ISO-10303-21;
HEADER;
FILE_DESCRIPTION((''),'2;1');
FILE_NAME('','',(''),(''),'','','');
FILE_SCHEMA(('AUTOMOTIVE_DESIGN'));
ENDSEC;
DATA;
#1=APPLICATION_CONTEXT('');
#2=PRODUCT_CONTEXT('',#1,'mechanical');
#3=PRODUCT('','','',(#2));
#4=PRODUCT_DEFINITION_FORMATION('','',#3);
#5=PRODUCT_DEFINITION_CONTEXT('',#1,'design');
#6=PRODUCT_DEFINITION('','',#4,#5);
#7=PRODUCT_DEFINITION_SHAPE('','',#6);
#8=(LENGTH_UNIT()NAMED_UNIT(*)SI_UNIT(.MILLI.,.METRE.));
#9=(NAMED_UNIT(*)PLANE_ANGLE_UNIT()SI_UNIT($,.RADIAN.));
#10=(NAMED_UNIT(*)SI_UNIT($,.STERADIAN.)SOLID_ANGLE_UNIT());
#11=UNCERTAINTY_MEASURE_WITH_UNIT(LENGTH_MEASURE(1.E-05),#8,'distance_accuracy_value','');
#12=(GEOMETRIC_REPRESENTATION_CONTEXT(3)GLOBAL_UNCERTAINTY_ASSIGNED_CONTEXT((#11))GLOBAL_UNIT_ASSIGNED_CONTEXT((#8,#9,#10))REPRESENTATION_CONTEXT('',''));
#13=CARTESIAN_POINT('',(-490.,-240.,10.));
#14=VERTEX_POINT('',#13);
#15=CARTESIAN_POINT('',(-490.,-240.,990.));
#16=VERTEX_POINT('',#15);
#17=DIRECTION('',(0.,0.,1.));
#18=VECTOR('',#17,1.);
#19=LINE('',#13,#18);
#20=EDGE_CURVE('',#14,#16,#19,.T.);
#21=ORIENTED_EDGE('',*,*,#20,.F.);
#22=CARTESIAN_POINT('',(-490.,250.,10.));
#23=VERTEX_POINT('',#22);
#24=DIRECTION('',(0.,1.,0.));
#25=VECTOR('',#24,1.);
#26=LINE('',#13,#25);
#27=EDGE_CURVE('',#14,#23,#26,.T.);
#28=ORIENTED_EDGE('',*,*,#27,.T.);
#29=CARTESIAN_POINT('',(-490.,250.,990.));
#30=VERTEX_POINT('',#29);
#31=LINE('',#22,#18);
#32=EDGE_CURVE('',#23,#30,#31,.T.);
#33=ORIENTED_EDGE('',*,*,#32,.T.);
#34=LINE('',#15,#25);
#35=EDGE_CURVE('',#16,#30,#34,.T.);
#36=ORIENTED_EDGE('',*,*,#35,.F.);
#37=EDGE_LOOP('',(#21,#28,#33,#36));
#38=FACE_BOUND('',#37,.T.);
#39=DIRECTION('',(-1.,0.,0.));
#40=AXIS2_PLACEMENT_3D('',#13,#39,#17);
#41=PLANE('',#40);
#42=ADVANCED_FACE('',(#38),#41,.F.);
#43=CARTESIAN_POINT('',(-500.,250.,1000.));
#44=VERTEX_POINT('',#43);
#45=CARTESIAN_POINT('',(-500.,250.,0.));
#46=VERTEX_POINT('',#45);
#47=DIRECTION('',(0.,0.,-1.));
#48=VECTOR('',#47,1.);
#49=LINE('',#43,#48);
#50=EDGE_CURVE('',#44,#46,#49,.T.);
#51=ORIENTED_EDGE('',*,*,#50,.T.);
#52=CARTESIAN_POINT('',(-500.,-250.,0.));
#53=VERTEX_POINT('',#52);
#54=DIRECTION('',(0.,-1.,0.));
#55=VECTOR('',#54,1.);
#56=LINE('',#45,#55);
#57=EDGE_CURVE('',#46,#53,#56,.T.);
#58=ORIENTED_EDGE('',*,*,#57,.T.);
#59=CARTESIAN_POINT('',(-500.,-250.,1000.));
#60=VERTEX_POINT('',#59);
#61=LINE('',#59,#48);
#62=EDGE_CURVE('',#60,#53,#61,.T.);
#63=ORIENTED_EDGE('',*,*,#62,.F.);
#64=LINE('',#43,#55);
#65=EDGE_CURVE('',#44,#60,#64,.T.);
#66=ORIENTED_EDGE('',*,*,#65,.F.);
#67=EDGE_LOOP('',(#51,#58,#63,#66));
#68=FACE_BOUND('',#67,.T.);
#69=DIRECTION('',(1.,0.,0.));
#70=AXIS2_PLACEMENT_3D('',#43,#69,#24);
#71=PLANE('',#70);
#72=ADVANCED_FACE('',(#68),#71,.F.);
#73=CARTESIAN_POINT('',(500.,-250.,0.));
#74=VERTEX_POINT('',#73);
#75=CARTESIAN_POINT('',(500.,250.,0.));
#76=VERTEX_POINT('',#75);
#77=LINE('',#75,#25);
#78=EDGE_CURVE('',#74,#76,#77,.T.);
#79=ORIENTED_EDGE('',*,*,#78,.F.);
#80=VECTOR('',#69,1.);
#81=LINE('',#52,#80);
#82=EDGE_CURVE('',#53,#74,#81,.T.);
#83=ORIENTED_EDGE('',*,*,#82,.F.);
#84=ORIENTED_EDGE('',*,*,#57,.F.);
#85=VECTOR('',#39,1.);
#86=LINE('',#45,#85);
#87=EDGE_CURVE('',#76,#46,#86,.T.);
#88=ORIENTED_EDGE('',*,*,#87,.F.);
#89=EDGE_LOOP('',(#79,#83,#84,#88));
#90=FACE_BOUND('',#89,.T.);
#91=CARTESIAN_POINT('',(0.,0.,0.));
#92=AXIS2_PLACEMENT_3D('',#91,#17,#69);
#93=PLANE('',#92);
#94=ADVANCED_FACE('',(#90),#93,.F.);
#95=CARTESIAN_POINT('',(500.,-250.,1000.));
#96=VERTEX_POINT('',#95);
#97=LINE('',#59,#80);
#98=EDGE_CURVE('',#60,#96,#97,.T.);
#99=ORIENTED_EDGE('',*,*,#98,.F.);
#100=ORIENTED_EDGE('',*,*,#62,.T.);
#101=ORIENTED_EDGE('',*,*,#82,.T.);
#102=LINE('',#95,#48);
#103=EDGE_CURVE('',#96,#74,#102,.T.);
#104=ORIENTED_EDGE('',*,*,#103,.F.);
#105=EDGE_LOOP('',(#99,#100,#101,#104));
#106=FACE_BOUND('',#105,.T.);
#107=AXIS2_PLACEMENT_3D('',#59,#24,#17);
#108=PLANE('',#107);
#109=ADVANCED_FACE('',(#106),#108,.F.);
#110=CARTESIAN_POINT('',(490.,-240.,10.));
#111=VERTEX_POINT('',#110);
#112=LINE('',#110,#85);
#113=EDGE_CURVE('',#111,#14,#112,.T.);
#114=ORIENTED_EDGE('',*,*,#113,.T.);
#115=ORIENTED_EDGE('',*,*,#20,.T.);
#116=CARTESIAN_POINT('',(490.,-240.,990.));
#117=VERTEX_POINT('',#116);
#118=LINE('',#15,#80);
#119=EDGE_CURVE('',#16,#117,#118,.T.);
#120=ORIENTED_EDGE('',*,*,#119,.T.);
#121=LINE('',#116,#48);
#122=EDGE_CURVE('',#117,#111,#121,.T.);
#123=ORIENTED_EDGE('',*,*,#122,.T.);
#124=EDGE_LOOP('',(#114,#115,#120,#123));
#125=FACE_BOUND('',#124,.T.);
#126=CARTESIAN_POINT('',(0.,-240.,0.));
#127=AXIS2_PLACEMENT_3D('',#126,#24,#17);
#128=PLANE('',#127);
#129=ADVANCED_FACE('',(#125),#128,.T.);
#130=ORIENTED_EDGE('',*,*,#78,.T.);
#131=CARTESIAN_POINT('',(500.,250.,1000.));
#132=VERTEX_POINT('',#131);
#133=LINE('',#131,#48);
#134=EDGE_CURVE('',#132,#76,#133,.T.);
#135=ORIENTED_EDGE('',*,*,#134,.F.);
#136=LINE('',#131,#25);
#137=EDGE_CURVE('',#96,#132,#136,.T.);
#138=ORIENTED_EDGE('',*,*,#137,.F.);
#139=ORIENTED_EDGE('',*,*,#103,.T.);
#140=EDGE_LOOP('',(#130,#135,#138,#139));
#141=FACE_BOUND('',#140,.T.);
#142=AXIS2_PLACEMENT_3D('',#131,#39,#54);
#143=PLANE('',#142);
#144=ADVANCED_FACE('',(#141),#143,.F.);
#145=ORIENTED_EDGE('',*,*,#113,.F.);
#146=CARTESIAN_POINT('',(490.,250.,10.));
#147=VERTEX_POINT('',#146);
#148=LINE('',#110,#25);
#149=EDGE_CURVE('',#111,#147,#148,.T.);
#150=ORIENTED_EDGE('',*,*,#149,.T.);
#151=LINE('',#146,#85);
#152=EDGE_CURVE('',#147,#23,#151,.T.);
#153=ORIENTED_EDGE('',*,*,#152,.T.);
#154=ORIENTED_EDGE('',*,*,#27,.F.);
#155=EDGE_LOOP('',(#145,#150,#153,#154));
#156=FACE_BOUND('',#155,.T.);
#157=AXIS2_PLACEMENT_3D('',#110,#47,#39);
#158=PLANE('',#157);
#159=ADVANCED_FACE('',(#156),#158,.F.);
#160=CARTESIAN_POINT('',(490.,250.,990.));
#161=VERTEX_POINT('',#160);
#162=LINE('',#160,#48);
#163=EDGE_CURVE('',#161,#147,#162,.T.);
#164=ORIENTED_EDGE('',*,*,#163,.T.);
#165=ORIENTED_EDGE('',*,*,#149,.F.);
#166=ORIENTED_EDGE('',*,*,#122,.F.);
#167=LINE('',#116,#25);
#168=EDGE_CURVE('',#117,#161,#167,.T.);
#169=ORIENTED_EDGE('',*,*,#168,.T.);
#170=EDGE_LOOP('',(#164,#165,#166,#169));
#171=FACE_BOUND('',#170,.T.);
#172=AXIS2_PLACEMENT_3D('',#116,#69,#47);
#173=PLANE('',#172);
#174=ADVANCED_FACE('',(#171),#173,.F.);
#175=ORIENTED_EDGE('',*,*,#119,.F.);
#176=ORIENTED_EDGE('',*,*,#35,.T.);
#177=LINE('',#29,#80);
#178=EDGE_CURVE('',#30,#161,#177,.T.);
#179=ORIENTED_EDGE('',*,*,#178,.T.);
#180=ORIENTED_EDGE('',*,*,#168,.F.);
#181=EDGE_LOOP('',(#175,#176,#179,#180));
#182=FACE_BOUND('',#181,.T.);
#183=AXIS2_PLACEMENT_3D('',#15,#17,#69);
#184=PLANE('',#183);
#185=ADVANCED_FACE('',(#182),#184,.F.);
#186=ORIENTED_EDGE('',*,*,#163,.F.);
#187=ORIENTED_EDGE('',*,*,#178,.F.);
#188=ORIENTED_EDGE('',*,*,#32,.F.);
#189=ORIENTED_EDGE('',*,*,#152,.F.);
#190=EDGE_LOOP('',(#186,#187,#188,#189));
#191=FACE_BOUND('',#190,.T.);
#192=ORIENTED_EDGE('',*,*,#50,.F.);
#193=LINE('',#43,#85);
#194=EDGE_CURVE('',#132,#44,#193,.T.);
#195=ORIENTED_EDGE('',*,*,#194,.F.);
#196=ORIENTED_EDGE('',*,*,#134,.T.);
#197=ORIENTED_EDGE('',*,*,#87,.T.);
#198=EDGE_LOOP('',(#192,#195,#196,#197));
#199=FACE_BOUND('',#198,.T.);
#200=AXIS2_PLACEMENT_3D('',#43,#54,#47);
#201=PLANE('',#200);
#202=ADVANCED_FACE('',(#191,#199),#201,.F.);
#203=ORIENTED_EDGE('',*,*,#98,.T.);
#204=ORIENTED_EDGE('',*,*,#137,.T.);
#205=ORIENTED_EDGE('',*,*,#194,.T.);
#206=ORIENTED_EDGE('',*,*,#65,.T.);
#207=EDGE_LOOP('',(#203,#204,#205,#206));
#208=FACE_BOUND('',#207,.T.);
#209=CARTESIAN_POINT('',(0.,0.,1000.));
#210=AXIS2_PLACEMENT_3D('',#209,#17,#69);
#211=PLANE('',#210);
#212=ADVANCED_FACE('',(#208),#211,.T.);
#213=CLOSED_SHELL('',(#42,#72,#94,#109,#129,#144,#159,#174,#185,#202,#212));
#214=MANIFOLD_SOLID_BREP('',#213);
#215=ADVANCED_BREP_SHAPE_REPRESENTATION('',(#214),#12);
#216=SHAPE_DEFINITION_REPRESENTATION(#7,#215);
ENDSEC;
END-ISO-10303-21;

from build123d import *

# Parameters (mm, degrees)
SKETCH_1_W          = 1000
SKETCH_1_H          = 500
EXTRUDE_1_DEPTH     = 1000
SKETCH_2_W          = 980
SKETCH_2_H          = 980
CUT_EXTRUDE_1_DEPTH = 490


with BuildPart() as part:
    # 草图1 → 凸台-拉伸1 (new body)
    with BuildSketch(Plane.XY):
        Rectangle(SKETCH_1_W, SKETCH_1_H)
    extrude(amount=EXTRUDE_1_DEPTH)

    # 草图2 → 切除-拉伸1 (cut)
    with BuildSketch(Plane(origin=(0, 250, 0), x_dir=(1, 0, 0), z_dir=(0, 1, 0))):
        with Locations((0, -500)):
            Rectangle(SKETCH_2_W, SKETCH_2_H)
    extrude(amount=-CUT_EXTRUDE_1_DEPTH, mode=Mode.SUBTRACT)


solid = part.part
